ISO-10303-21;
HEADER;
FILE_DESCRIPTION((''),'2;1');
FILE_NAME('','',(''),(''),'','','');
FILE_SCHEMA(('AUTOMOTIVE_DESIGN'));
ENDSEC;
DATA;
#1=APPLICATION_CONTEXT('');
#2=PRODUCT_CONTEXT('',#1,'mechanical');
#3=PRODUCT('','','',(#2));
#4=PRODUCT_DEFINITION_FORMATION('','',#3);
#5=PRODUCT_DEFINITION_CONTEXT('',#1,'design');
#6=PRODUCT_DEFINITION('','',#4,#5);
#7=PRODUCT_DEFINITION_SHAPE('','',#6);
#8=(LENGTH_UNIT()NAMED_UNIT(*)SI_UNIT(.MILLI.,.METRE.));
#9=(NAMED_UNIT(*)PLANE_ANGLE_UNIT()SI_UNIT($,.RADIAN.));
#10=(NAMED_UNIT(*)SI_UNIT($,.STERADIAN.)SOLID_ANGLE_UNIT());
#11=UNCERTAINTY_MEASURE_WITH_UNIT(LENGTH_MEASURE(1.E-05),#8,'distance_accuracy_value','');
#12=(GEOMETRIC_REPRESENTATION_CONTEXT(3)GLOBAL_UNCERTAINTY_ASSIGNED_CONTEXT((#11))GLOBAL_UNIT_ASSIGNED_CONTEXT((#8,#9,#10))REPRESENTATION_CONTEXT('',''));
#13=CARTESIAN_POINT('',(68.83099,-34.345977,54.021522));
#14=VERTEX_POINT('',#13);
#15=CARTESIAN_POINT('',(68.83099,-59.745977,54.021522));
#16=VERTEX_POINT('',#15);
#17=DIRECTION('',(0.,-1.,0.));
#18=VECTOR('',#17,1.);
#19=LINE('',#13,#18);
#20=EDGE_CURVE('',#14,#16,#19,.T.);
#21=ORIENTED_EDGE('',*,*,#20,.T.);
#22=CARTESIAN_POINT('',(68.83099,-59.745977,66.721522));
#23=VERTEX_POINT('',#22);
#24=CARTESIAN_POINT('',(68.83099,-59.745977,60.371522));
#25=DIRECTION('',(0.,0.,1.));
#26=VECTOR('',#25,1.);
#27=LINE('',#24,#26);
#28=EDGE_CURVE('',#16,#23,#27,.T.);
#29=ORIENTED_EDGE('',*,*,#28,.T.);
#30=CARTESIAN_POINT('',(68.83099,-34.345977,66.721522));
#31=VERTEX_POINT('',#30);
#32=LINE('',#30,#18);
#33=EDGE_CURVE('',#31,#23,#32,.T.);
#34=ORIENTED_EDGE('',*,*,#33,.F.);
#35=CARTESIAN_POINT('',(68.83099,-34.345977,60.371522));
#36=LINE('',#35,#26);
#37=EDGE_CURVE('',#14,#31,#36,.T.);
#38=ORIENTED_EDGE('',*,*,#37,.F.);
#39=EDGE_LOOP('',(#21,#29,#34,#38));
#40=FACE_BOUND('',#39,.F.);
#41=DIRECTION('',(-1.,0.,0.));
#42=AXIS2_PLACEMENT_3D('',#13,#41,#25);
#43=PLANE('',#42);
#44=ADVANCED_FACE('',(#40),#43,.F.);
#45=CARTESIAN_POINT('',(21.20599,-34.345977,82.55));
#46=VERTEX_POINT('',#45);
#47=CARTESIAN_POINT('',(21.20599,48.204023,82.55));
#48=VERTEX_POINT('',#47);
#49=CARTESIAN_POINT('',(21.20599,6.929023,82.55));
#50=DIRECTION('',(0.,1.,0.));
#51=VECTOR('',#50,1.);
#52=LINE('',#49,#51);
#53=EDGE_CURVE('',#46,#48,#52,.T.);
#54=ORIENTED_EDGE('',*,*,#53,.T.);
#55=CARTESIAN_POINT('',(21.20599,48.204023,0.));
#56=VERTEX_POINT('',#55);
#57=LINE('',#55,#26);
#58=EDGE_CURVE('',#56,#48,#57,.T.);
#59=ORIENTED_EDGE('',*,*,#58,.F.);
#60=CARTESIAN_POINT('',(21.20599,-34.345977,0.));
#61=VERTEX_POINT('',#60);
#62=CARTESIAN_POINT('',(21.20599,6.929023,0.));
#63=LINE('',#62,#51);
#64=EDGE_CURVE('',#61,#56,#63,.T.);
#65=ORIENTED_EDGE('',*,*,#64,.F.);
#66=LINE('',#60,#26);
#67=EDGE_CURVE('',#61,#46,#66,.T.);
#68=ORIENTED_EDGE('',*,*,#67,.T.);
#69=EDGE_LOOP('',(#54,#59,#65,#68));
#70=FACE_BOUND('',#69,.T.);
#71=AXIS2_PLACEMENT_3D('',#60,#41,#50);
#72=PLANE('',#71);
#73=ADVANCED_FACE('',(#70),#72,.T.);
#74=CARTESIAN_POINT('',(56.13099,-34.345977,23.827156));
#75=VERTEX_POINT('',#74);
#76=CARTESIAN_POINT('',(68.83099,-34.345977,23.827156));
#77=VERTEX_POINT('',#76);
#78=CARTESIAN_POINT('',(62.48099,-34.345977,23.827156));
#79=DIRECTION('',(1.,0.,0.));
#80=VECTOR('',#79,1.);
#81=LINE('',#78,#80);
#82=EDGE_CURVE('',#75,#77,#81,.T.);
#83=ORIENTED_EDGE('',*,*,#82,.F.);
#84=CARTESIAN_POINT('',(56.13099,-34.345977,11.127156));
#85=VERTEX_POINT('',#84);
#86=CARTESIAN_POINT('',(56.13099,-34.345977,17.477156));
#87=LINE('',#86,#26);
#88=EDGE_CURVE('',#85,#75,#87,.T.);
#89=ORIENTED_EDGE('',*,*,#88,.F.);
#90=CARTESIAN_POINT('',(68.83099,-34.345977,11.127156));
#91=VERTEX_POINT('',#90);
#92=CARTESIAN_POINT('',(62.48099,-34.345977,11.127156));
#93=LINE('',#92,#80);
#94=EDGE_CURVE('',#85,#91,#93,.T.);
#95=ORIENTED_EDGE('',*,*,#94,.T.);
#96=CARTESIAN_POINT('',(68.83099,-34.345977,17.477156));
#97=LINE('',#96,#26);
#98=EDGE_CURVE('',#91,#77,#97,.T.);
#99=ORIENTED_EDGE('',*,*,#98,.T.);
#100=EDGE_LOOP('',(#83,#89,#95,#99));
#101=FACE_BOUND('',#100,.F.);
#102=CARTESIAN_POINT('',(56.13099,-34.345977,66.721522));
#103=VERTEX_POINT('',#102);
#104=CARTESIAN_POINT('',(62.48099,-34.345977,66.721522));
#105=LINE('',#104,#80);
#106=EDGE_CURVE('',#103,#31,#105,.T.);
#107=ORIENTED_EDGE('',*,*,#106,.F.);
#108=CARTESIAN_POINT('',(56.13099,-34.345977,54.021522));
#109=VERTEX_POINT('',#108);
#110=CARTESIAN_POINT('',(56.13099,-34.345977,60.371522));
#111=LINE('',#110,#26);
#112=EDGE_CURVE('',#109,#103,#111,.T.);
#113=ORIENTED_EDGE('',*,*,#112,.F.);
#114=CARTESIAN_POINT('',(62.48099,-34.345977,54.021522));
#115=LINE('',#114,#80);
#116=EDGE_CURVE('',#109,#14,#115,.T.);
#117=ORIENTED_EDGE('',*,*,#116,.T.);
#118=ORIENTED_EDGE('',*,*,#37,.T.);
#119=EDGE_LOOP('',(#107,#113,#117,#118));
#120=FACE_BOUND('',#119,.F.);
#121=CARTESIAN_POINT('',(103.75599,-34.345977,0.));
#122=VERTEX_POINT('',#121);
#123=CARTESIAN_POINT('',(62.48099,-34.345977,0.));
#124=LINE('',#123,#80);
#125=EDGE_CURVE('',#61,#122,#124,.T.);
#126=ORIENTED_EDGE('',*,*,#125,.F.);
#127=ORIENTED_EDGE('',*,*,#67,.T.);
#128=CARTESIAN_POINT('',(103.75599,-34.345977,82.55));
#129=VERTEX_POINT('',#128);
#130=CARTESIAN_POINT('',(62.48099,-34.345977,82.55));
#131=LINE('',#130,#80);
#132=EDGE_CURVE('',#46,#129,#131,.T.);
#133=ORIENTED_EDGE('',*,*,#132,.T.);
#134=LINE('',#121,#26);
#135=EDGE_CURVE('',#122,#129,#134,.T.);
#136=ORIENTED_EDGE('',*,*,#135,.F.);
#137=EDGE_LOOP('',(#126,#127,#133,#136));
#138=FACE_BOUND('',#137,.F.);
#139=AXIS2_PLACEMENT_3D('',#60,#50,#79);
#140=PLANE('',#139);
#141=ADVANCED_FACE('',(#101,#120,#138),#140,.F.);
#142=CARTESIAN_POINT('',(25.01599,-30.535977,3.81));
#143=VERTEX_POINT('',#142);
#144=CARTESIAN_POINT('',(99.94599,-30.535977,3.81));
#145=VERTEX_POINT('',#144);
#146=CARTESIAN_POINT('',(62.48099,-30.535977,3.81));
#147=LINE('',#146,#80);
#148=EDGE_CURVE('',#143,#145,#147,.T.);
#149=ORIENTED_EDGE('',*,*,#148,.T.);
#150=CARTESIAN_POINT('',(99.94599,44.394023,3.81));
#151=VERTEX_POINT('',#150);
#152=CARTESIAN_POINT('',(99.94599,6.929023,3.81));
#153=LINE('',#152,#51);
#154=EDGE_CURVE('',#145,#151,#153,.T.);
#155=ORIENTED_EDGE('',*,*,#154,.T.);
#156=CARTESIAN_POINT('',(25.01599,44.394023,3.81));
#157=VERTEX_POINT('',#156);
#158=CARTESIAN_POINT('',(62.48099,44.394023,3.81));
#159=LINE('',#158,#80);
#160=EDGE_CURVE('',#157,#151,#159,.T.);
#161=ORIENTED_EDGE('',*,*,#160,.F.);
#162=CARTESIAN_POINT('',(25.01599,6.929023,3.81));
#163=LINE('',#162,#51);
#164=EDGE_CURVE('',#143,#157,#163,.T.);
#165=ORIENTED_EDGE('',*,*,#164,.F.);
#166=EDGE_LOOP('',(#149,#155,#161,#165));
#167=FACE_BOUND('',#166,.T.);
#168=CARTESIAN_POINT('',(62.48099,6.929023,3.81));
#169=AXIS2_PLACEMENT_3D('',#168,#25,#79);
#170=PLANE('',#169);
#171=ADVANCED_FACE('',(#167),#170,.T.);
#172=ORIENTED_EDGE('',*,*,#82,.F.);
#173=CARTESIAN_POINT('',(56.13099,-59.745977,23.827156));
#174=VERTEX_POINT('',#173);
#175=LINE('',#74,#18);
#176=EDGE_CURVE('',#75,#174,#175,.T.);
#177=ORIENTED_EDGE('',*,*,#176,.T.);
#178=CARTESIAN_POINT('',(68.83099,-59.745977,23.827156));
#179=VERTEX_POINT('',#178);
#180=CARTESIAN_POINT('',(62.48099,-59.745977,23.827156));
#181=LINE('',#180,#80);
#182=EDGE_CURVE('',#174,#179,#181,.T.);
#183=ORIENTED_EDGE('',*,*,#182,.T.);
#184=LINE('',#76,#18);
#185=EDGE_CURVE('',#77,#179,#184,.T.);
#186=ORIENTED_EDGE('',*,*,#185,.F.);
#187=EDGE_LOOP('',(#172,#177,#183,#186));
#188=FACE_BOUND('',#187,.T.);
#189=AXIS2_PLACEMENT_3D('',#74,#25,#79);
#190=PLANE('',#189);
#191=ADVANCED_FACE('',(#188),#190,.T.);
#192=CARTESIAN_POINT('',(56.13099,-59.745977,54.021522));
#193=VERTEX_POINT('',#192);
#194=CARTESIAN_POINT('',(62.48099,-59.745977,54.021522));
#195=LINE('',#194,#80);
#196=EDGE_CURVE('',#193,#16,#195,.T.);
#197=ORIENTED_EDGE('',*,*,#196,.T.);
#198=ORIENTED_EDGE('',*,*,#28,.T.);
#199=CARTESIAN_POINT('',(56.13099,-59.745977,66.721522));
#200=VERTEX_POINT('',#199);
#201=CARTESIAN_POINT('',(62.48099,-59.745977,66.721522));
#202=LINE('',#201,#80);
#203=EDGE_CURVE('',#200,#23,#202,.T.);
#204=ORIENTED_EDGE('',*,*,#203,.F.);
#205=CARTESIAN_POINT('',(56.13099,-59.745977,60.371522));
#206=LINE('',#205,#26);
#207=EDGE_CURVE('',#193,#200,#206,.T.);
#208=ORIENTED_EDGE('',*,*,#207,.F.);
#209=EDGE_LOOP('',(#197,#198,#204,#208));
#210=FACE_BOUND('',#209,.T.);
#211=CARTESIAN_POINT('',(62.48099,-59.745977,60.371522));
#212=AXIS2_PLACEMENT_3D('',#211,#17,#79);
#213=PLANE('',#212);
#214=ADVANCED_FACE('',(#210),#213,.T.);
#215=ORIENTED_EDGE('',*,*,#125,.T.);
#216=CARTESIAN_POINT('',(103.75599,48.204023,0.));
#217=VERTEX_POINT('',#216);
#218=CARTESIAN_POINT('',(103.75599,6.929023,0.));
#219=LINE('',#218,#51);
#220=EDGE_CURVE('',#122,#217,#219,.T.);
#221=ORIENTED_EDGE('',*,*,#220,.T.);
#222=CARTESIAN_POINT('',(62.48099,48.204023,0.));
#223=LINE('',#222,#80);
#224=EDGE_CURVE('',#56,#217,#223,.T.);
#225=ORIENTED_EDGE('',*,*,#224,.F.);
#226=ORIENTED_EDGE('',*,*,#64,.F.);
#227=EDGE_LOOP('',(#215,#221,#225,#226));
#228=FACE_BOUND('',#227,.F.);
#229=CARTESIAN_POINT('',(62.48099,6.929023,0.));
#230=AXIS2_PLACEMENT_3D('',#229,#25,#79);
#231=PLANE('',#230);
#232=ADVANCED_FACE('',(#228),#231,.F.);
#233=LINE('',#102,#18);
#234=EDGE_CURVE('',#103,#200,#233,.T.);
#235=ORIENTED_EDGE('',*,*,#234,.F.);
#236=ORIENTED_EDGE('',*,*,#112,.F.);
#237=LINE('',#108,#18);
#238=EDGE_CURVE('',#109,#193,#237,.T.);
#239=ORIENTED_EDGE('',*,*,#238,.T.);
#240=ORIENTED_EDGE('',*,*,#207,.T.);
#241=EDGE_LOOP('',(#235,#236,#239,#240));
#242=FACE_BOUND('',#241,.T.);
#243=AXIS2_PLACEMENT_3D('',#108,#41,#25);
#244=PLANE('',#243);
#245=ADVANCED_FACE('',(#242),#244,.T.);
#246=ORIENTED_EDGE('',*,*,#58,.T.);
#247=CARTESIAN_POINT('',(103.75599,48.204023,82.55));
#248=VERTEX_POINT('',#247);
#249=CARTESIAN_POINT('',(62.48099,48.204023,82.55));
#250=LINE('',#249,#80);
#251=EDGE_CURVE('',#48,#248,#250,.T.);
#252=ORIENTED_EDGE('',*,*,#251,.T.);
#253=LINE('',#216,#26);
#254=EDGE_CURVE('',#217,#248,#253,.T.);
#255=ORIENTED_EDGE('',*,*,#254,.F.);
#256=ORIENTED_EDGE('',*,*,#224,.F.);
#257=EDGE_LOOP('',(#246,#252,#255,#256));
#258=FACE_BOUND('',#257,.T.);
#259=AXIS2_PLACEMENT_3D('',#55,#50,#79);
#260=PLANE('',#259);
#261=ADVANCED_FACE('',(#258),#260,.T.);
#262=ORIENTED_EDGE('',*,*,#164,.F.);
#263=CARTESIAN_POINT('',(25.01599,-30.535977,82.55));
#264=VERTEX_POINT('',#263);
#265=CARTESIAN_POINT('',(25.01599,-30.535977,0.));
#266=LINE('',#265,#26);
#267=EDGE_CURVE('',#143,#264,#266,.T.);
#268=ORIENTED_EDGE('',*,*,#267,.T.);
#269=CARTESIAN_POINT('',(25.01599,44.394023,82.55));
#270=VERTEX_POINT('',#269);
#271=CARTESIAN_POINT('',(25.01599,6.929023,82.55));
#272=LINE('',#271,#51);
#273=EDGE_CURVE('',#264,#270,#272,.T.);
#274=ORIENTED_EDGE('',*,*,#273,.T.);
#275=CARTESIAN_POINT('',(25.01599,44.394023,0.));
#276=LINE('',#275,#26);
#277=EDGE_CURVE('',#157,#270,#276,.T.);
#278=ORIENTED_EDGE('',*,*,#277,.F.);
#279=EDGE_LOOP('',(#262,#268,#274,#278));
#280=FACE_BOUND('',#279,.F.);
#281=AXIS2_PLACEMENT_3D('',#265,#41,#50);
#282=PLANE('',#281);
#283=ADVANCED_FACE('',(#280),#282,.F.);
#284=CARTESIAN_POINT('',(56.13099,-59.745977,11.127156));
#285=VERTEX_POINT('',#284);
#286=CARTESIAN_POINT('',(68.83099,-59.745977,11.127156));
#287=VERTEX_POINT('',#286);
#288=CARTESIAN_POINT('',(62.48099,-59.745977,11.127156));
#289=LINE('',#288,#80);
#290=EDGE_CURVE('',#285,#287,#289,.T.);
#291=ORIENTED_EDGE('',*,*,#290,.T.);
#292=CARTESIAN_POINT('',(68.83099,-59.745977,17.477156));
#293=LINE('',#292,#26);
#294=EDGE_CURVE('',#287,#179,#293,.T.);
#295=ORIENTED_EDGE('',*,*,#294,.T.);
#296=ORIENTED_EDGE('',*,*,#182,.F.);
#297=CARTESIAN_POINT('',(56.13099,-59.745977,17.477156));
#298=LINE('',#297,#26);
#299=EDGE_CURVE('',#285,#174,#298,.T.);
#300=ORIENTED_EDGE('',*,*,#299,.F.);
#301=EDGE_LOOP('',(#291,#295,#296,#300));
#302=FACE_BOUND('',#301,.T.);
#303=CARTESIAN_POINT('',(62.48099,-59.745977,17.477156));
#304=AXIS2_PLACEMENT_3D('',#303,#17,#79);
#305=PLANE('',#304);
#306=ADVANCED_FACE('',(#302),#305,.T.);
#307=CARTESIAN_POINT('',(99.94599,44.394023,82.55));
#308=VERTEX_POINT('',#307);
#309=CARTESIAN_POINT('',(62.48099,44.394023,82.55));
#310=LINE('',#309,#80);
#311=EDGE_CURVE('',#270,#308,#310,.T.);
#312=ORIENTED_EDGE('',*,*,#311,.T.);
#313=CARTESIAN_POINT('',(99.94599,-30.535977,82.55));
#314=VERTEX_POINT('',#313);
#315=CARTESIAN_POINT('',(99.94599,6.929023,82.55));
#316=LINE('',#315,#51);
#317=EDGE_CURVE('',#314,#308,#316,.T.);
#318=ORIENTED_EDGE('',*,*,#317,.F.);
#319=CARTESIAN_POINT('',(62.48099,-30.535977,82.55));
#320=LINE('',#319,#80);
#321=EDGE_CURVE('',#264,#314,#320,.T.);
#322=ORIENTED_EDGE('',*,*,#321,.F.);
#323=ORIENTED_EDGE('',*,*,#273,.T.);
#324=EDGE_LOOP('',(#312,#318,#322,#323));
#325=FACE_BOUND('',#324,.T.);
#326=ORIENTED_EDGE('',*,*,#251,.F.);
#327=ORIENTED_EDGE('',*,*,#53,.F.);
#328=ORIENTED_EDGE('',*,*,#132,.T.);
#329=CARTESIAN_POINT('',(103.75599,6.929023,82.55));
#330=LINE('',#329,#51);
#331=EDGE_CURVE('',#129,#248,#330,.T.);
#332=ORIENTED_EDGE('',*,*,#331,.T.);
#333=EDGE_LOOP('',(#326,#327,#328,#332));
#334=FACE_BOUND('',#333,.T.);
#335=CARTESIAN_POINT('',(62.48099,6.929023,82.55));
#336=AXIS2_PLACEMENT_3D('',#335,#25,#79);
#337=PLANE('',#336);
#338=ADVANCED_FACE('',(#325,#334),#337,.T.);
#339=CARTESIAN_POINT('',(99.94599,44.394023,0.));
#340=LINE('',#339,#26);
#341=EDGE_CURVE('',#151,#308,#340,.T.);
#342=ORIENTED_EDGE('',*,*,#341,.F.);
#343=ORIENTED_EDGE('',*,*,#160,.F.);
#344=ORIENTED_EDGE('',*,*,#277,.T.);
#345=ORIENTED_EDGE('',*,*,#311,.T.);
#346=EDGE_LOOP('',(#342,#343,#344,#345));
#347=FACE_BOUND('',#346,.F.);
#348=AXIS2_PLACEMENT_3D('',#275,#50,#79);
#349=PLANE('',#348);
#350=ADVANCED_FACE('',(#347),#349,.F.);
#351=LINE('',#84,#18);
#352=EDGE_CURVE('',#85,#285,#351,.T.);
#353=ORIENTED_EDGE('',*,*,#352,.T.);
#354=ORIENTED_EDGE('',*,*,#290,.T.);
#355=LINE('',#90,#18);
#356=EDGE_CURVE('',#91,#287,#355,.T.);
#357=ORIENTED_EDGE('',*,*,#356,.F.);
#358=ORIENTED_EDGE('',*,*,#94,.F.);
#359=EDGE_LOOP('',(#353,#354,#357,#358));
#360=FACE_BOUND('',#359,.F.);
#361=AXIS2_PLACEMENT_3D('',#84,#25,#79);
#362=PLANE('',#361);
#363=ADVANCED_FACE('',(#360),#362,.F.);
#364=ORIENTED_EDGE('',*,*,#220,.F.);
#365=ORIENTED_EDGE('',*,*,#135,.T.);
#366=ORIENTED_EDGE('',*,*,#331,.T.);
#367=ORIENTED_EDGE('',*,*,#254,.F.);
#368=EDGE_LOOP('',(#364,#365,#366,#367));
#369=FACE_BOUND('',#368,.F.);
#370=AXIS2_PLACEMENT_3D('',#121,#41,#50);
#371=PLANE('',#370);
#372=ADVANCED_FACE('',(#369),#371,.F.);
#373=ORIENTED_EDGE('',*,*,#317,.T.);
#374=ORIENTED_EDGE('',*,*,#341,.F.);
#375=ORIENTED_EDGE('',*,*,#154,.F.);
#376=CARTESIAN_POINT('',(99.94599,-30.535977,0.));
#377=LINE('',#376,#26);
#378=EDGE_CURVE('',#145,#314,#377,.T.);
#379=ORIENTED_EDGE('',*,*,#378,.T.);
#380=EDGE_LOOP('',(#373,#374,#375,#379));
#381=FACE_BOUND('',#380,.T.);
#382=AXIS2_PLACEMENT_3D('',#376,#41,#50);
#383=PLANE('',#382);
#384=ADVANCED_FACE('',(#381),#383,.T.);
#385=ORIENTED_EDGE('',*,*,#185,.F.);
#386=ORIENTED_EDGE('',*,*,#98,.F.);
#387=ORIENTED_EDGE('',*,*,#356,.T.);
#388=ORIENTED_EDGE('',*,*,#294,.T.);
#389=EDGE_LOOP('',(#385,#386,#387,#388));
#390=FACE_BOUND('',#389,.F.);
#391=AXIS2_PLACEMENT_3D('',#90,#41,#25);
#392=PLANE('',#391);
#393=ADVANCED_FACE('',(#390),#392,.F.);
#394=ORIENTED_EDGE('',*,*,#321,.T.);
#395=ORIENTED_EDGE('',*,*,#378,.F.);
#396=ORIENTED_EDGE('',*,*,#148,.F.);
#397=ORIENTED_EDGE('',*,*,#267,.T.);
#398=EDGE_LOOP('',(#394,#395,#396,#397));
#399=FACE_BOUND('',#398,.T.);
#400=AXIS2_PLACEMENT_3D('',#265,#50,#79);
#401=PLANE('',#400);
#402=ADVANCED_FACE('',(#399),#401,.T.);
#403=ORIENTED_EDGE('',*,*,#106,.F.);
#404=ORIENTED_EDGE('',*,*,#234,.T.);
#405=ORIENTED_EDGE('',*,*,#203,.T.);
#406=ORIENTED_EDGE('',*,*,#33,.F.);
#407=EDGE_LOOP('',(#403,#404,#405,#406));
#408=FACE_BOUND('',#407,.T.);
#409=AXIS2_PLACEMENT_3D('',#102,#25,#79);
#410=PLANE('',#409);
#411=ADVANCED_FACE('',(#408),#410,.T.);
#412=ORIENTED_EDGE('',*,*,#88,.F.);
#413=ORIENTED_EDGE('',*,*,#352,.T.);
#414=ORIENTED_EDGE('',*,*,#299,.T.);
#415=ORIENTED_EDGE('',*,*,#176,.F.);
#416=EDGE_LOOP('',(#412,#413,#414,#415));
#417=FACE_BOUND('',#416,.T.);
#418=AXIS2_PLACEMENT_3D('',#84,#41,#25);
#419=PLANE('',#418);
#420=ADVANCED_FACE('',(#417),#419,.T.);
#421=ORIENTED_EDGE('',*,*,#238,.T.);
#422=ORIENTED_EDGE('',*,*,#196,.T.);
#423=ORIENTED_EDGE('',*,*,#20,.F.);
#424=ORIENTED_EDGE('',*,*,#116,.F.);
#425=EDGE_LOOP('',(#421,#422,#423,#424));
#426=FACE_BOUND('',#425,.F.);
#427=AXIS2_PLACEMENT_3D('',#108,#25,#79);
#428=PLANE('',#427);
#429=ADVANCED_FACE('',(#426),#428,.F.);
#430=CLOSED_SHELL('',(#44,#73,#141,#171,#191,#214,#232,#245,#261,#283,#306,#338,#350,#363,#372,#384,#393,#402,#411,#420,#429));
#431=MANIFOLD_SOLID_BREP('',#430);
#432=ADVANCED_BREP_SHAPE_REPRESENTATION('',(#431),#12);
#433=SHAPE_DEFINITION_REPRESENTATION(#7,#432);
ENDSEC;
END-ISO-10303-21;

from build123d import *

# Parameters (mm, degrees)
F0_W     = 82.55
F0_H     = 82.55
F0_W_2   = 74.93
F0_H_2   = 74.93
F1_DEPTH = 82.55
F2_DEPTH = 3.81
F3_W     = 12.7
F3_H     = 12.7
F4_DEPTH = 25.4


with BuildPart() as f1:
    # F0 (on Top) → F1 (new body)
    with BuildSketch(Plane.XY):
        with Locations((62.48099, 6.929023)):
            Rectangle(F0_W, F0_H)
        with Locations((62.48099, 6.929023)):
            Rectangle(F0_W_2, F0_H_2, mode=Mode.SUBTRACT)
    extrude(amount=F1_DEPTH)

    # F0 (on Top) → F2 (join)
    with BuildSketch(Plane.XY):
        with Locations((62.48099, 6.929023)):
            Rectangle(F0_W_2, F0_H_2)
    extrude(amount=F2_DEPTH)

    # F3 (on face) → F4 (join)
    with BuildSketch(Plane.XZ.offset(34.345977)):
        with Locations((62.48099, 60.371522)):
            Rectangle(F3_W, F3_H)
        with Locations((62.48099, 17.477156)):
            Rectangle(F3_W, F3_H)
    extrude(amount=F4_DEPTH)


solid = f1.part
